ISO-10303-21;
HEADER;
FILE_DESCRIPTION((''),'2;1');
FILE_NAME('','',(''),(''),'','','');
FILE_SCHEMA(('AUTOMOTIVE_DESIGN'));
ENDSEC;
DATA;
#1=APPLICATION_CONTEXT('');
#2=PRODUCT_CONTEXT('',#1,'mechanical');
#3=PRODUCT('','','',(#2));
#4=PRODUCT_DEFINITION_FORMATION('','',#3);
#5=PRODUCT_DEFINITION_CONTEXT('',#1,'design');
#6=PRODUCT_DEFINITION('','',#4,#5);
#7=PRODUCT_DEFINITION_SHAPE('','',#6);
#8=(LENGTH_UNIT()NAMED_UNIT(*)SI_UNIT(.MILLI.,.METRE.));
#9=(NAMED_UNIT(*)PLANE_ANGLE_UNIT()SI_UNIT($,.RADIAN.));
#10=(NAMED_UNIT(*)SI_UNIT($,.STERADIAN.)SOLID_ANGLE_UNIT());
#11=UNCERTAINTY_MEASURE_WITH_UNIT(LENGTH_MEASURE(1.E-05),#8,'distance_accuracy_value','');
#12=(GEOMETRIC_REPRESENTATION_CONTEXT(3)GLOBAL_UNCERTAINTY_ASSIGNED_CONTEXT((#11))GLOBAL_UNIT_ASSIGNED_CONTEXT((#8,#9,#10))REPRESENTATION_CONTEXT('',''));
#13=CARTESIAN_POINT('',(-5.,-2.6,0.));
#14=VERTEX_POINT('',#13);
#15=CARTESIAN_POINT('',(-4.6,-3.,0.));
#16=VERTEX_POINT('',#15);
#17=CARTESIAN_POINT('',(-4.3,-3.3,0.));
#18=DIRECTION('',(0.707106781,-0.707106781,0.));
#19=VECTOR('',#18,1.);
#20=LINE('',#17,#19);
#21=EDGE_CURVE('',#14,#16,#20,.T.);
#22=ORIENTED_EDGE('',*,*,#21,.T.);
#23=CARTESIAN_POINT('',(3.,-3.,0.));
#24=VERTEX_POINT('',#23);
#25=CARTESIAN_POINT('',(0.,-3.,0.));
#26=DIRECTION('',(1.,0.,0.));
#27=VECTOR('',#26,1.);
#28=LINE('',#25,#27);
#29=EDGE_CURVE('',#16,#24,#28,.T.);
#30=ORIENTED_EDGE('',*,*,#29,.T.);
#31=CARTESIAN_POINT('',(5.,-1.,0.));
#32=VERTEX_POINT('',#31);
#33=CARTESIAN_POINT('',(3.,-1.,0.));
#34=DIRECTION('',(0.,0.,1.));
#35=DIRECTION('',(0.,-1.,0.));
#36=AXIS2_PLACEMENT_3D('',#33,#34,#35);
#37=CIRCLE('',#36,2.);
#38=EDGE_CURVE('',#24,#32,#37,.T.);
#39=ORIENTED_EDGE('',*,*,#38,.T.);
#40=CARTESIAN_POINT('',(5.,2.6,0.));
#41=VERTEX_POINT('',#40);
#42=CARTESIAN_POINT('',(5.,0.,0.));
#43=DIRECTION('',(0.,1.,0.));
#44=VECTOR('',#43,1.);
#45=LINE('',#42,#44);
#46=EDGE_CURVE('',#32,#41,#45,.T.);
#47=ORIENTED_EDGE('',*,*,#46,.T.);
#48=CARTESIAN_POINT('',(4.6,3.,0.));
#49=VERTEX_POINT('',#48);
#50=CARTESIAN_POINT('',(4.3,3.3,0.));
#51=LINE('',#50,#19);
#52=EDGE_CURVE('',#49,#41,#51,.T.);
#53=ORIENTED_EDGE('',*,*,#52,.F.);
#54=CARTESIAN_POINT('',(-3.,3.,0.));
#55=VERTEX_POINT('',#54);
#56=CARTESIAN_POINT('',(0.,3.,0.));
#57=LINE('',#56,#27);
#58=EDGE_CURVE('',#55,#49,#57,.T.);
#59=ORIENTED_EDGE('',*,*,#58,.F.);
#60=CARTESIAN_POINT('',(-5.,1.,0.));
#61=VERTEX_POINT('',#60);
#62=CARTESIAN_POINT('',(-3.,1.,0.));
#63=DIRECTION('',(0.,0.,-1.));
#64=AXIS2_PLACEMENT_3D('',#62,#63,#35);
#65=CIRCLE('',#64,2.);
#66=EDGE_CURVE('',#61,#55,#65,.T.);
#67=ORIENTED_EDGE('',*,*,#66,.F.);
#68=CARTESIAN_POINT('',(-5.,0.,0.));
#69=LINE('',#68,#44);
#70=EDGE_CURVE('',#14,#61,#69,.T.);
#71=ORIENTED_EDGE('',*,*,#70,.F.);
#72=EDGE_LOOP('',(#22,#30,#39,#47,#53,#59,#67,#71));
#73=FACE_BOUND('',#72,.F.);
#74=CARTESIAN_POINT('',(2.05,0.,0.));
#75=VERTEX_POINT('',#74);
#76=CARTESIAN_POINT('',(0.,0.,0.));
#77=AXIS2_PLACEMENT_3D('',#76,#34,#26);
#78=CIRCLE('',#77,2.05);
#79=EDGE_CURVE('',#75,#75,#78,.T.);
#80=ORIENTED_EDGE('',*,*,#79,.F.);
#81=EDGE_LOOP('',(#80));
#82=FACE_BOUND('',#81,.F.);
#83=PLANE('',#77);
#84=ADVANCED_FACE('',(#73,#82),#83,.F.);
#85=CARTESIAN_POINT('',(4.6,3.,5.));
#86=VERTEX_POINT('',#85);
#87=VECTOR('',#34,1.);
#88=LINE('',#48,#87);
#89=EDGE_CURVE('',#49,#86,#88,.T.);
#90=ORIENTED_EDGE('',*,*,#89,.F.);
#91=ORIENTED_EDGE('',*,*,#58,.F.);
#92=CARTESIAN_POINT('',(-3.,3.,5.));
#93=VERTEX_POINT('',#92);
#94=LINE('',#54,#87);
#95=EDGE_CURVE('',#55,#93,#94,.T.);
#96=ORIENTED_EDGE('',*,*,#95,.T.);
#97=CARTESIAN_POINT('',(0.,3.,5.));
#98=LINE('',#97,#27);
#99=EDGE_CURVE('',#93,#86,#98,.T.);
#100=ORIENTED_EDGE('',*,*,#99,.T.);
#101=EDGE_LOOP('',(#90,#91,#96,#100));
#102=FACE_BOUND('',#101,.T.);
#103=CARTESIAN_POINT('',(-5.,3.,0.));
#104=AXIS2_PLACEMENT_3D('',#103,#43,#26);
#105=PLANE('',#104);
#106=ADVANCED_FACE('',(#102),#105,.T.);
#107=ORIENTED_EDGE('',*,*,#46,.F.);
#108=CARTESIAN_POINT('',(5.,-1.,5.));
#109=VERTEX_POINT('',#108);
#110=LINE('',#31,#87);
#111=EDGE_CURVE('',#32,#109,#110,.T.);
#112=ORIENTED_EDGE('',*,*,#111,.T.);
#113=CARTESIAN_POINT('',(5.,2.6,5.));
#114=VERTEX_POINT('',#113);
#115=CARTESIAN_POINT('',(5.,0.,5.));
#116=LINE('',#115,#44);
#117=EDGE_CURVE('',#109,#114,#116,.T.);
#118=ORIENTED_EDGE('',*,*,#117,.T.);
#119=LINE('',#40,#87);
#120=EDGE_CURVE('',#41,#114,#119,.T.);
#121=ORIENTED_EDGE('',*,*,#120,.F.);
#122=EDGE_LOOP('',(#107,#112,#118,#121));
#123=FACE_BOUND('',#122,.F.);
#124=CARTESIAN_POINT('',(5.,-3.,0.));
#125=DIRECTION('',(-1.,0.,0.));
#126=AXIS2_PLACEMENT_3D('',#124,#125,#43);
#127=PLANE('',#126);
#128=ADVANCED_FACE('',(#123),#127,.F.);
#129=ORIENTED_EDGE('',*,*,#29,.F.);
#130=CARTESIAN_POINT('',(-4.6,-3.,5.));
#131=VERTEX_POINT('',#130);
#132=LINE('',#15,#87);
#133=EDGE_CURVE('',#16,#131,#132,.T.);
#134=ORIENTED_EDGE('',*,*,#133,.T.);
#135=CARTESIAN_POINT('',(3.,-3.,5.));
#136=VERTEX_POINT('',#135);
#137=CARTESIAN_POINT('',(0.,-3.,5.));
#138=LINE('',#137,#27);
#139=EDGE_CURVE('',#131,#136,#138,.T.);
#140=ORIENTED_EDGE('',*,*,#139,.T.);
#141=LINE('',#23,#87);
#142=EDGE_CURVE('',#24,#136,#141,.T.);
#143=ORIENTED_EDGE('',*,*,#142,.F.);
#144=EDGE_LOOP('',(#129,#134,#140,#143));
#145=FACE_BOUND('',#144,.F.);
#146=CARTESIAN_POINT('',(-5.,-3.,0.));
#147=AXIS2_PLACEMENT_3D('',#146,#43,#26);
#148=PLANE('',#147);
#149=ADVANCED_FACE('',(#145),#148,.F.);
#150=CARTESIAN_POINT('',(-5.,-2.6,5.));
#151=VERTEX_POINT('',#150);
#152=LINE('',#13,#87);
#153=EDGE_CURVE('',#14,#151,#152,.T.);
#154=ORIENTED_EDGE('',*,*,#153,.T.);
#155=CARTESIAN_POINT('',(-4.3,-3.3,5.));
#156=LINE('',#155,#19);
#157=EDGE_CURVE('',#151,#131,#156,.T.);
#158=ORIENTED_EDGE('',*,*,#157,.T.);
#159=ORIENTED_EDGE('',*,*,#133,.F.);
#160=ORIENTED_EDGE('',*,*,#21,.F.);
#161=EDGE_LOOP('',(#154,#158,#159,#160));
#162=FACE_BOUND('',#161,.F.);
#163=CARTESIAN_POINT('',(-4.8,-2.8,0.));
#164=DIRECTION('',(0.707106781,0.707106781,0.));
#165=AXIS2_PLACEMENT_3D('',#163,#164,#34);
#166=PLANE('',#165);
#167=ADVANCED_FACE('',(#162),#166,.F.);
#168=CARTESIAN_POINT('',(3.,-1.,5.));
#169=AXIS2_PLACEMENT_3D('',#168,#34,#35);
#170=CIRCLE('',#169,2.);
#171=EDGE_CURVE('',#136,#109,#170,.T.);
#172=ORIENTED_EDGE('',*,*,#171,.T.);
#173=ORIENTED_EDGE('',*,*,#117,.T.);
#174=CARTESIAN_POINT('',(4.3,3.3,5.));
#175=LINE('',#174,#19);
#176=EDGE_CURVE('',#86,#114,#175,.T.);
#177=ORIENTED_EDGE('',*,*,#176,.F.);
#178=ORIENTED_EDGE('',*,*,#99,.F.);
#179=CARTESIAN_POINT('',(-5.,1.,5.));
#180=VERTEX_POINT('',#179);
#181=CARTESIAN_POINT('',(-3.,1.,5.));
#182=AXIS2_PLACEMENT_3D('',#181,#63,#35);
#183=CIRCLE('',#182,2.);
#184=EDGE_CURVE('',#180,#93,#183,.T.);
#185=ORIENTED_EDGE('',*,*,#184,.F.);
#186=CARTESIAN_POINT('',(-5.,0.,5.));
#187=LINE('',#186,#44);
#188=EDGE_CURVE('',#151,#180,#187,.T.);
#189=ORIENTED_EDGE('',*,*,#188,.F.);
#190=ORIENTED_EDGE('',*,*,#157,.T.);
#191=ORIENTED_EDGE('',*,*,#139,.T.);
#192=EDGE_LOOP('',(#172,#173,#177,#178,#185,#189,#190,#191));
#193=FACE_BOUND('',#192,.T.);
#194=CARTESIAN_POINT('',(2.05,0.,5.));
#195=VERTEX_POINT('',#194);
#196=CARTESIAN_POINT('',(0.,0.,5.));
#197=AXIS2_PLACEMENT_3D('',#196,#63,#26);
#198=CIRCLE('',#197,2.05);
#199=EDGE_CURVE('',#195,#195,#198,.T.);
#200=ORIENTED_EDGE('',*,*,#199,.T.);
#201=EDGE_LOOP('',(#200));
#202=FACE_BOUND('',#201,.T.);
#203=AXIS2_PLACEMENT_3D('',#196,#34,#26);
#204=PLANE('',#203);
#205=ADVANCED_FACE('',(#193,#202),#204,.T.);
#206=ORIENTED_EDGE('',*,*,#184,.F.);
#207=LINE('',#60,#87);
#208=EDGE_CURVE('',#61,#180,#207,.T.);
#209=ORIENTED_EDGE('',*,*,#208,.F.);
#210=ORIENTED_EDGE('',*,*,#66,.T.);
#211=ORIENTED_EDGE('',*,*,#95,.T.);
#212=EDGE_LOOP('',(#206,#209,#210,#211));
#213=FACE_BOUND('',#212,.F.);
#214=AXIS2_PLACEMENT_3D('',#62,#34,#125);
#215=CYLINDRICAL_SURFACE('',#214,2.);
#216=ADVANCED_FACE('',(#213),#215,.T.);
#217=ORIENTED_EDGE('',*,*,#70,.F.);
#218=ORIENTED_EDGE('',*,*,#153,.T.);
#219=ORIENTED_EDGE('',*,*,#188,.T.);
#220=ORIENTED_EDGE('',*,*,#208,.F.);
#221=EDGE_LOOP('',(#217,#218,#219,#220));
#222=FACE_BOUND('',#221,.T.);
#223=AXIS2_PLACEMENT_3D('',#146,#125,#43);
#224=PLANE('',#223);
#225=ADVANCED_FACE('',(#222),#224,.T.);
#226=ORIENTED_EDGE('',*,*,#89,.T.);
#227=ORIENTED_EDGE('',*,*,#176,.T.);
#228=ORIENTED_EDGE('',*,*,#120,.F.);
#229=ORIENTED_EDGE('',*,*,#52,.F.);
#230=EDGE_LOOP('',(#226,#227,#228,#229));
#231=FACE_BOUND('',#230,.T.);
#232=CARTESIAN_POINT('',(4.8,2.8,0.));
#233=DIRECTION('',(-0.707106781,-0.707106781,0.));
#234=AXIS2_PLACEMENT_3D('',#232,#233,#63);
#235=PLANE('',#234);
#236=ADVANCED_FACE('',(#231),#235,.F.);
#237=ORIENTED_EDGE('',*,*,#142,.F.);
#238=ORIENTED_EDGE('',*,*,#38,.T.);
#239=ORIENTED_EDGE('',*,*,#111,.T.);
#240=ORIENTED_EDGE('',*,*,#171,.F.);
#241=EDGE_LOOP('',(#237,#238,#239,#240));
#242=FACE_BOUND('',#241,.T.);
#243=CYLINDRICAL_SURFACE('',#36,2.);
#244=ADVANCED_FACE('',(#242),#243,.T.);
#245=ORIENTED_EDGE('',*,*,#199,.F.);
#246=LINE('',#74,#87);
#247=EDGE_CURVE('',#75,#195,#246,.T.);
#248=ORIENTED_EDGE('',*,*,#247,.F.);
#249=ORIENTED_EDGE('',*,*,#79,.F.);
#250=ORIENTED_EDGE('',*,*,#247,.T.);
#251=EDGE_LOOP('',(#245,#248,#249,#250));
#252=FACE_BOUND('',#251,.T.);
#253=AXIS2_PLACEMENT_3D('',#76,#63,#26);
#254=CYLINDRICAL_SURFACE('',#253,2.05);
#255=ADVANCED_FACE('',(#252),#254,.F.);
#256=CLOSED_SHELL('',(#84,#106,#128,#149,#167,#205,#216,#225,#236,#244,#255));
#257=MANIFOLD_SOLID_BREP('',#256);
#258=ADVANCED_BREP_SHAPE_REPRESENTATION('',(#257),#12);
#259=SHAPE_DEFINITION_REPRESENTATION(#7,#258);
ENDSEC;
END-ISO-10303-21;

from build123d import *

# Parameters (mm, degrees)
CYLINDER_R     = 2.05
CYLINDER_DEPTH = 10
BOX_W          = 10
BOX_H          = 6
BOX_DEPTH      = 5
FILLET_R       = 2
CHAMFER_SIZE   = 0.4


with BuildPart() as cylinder:
    # Cylinder → Cylinder (new body)
    with BuildSketch(Plane.XY):
        Circle(CYLINDER_R)
    extrude(amount=CYLINDER_DEPTH)


with BuildPart() as cut:
    # Box → Box (new body)
    with BuildSketch(Plane(origin=(-5, -3, 0), x_dir=(1, 0, 0), z_dir=(0, 0, 1))):
        with Locations((5, 3)):
            Rectangle(BOX_W, BOX_H)
    extrude(amount=BOX_DEPTH)

    # Fillet
    fillet_edges = [cut.edges().sort_by_distance(p)[0] for p in [
        (-5, 3, 2.5),
        (5, -3, 2.5),
    ]]
    fillet(fillet_edges, radius=FILLET_R)

    # Chamfer
    chamfer_edges = [cut.edges().sort_by_distance(p)[0] for p in [
        (-5, -3, 2.5),
        (5, 3, 2.5),
    ]]
    chamfer(chamfer_edges, length=CHAMFER_SIZE)

    # Cut: cut Cylinder
    add(cylinder.part, mode=Mode.SUBTRACT)


solid = cut.part
